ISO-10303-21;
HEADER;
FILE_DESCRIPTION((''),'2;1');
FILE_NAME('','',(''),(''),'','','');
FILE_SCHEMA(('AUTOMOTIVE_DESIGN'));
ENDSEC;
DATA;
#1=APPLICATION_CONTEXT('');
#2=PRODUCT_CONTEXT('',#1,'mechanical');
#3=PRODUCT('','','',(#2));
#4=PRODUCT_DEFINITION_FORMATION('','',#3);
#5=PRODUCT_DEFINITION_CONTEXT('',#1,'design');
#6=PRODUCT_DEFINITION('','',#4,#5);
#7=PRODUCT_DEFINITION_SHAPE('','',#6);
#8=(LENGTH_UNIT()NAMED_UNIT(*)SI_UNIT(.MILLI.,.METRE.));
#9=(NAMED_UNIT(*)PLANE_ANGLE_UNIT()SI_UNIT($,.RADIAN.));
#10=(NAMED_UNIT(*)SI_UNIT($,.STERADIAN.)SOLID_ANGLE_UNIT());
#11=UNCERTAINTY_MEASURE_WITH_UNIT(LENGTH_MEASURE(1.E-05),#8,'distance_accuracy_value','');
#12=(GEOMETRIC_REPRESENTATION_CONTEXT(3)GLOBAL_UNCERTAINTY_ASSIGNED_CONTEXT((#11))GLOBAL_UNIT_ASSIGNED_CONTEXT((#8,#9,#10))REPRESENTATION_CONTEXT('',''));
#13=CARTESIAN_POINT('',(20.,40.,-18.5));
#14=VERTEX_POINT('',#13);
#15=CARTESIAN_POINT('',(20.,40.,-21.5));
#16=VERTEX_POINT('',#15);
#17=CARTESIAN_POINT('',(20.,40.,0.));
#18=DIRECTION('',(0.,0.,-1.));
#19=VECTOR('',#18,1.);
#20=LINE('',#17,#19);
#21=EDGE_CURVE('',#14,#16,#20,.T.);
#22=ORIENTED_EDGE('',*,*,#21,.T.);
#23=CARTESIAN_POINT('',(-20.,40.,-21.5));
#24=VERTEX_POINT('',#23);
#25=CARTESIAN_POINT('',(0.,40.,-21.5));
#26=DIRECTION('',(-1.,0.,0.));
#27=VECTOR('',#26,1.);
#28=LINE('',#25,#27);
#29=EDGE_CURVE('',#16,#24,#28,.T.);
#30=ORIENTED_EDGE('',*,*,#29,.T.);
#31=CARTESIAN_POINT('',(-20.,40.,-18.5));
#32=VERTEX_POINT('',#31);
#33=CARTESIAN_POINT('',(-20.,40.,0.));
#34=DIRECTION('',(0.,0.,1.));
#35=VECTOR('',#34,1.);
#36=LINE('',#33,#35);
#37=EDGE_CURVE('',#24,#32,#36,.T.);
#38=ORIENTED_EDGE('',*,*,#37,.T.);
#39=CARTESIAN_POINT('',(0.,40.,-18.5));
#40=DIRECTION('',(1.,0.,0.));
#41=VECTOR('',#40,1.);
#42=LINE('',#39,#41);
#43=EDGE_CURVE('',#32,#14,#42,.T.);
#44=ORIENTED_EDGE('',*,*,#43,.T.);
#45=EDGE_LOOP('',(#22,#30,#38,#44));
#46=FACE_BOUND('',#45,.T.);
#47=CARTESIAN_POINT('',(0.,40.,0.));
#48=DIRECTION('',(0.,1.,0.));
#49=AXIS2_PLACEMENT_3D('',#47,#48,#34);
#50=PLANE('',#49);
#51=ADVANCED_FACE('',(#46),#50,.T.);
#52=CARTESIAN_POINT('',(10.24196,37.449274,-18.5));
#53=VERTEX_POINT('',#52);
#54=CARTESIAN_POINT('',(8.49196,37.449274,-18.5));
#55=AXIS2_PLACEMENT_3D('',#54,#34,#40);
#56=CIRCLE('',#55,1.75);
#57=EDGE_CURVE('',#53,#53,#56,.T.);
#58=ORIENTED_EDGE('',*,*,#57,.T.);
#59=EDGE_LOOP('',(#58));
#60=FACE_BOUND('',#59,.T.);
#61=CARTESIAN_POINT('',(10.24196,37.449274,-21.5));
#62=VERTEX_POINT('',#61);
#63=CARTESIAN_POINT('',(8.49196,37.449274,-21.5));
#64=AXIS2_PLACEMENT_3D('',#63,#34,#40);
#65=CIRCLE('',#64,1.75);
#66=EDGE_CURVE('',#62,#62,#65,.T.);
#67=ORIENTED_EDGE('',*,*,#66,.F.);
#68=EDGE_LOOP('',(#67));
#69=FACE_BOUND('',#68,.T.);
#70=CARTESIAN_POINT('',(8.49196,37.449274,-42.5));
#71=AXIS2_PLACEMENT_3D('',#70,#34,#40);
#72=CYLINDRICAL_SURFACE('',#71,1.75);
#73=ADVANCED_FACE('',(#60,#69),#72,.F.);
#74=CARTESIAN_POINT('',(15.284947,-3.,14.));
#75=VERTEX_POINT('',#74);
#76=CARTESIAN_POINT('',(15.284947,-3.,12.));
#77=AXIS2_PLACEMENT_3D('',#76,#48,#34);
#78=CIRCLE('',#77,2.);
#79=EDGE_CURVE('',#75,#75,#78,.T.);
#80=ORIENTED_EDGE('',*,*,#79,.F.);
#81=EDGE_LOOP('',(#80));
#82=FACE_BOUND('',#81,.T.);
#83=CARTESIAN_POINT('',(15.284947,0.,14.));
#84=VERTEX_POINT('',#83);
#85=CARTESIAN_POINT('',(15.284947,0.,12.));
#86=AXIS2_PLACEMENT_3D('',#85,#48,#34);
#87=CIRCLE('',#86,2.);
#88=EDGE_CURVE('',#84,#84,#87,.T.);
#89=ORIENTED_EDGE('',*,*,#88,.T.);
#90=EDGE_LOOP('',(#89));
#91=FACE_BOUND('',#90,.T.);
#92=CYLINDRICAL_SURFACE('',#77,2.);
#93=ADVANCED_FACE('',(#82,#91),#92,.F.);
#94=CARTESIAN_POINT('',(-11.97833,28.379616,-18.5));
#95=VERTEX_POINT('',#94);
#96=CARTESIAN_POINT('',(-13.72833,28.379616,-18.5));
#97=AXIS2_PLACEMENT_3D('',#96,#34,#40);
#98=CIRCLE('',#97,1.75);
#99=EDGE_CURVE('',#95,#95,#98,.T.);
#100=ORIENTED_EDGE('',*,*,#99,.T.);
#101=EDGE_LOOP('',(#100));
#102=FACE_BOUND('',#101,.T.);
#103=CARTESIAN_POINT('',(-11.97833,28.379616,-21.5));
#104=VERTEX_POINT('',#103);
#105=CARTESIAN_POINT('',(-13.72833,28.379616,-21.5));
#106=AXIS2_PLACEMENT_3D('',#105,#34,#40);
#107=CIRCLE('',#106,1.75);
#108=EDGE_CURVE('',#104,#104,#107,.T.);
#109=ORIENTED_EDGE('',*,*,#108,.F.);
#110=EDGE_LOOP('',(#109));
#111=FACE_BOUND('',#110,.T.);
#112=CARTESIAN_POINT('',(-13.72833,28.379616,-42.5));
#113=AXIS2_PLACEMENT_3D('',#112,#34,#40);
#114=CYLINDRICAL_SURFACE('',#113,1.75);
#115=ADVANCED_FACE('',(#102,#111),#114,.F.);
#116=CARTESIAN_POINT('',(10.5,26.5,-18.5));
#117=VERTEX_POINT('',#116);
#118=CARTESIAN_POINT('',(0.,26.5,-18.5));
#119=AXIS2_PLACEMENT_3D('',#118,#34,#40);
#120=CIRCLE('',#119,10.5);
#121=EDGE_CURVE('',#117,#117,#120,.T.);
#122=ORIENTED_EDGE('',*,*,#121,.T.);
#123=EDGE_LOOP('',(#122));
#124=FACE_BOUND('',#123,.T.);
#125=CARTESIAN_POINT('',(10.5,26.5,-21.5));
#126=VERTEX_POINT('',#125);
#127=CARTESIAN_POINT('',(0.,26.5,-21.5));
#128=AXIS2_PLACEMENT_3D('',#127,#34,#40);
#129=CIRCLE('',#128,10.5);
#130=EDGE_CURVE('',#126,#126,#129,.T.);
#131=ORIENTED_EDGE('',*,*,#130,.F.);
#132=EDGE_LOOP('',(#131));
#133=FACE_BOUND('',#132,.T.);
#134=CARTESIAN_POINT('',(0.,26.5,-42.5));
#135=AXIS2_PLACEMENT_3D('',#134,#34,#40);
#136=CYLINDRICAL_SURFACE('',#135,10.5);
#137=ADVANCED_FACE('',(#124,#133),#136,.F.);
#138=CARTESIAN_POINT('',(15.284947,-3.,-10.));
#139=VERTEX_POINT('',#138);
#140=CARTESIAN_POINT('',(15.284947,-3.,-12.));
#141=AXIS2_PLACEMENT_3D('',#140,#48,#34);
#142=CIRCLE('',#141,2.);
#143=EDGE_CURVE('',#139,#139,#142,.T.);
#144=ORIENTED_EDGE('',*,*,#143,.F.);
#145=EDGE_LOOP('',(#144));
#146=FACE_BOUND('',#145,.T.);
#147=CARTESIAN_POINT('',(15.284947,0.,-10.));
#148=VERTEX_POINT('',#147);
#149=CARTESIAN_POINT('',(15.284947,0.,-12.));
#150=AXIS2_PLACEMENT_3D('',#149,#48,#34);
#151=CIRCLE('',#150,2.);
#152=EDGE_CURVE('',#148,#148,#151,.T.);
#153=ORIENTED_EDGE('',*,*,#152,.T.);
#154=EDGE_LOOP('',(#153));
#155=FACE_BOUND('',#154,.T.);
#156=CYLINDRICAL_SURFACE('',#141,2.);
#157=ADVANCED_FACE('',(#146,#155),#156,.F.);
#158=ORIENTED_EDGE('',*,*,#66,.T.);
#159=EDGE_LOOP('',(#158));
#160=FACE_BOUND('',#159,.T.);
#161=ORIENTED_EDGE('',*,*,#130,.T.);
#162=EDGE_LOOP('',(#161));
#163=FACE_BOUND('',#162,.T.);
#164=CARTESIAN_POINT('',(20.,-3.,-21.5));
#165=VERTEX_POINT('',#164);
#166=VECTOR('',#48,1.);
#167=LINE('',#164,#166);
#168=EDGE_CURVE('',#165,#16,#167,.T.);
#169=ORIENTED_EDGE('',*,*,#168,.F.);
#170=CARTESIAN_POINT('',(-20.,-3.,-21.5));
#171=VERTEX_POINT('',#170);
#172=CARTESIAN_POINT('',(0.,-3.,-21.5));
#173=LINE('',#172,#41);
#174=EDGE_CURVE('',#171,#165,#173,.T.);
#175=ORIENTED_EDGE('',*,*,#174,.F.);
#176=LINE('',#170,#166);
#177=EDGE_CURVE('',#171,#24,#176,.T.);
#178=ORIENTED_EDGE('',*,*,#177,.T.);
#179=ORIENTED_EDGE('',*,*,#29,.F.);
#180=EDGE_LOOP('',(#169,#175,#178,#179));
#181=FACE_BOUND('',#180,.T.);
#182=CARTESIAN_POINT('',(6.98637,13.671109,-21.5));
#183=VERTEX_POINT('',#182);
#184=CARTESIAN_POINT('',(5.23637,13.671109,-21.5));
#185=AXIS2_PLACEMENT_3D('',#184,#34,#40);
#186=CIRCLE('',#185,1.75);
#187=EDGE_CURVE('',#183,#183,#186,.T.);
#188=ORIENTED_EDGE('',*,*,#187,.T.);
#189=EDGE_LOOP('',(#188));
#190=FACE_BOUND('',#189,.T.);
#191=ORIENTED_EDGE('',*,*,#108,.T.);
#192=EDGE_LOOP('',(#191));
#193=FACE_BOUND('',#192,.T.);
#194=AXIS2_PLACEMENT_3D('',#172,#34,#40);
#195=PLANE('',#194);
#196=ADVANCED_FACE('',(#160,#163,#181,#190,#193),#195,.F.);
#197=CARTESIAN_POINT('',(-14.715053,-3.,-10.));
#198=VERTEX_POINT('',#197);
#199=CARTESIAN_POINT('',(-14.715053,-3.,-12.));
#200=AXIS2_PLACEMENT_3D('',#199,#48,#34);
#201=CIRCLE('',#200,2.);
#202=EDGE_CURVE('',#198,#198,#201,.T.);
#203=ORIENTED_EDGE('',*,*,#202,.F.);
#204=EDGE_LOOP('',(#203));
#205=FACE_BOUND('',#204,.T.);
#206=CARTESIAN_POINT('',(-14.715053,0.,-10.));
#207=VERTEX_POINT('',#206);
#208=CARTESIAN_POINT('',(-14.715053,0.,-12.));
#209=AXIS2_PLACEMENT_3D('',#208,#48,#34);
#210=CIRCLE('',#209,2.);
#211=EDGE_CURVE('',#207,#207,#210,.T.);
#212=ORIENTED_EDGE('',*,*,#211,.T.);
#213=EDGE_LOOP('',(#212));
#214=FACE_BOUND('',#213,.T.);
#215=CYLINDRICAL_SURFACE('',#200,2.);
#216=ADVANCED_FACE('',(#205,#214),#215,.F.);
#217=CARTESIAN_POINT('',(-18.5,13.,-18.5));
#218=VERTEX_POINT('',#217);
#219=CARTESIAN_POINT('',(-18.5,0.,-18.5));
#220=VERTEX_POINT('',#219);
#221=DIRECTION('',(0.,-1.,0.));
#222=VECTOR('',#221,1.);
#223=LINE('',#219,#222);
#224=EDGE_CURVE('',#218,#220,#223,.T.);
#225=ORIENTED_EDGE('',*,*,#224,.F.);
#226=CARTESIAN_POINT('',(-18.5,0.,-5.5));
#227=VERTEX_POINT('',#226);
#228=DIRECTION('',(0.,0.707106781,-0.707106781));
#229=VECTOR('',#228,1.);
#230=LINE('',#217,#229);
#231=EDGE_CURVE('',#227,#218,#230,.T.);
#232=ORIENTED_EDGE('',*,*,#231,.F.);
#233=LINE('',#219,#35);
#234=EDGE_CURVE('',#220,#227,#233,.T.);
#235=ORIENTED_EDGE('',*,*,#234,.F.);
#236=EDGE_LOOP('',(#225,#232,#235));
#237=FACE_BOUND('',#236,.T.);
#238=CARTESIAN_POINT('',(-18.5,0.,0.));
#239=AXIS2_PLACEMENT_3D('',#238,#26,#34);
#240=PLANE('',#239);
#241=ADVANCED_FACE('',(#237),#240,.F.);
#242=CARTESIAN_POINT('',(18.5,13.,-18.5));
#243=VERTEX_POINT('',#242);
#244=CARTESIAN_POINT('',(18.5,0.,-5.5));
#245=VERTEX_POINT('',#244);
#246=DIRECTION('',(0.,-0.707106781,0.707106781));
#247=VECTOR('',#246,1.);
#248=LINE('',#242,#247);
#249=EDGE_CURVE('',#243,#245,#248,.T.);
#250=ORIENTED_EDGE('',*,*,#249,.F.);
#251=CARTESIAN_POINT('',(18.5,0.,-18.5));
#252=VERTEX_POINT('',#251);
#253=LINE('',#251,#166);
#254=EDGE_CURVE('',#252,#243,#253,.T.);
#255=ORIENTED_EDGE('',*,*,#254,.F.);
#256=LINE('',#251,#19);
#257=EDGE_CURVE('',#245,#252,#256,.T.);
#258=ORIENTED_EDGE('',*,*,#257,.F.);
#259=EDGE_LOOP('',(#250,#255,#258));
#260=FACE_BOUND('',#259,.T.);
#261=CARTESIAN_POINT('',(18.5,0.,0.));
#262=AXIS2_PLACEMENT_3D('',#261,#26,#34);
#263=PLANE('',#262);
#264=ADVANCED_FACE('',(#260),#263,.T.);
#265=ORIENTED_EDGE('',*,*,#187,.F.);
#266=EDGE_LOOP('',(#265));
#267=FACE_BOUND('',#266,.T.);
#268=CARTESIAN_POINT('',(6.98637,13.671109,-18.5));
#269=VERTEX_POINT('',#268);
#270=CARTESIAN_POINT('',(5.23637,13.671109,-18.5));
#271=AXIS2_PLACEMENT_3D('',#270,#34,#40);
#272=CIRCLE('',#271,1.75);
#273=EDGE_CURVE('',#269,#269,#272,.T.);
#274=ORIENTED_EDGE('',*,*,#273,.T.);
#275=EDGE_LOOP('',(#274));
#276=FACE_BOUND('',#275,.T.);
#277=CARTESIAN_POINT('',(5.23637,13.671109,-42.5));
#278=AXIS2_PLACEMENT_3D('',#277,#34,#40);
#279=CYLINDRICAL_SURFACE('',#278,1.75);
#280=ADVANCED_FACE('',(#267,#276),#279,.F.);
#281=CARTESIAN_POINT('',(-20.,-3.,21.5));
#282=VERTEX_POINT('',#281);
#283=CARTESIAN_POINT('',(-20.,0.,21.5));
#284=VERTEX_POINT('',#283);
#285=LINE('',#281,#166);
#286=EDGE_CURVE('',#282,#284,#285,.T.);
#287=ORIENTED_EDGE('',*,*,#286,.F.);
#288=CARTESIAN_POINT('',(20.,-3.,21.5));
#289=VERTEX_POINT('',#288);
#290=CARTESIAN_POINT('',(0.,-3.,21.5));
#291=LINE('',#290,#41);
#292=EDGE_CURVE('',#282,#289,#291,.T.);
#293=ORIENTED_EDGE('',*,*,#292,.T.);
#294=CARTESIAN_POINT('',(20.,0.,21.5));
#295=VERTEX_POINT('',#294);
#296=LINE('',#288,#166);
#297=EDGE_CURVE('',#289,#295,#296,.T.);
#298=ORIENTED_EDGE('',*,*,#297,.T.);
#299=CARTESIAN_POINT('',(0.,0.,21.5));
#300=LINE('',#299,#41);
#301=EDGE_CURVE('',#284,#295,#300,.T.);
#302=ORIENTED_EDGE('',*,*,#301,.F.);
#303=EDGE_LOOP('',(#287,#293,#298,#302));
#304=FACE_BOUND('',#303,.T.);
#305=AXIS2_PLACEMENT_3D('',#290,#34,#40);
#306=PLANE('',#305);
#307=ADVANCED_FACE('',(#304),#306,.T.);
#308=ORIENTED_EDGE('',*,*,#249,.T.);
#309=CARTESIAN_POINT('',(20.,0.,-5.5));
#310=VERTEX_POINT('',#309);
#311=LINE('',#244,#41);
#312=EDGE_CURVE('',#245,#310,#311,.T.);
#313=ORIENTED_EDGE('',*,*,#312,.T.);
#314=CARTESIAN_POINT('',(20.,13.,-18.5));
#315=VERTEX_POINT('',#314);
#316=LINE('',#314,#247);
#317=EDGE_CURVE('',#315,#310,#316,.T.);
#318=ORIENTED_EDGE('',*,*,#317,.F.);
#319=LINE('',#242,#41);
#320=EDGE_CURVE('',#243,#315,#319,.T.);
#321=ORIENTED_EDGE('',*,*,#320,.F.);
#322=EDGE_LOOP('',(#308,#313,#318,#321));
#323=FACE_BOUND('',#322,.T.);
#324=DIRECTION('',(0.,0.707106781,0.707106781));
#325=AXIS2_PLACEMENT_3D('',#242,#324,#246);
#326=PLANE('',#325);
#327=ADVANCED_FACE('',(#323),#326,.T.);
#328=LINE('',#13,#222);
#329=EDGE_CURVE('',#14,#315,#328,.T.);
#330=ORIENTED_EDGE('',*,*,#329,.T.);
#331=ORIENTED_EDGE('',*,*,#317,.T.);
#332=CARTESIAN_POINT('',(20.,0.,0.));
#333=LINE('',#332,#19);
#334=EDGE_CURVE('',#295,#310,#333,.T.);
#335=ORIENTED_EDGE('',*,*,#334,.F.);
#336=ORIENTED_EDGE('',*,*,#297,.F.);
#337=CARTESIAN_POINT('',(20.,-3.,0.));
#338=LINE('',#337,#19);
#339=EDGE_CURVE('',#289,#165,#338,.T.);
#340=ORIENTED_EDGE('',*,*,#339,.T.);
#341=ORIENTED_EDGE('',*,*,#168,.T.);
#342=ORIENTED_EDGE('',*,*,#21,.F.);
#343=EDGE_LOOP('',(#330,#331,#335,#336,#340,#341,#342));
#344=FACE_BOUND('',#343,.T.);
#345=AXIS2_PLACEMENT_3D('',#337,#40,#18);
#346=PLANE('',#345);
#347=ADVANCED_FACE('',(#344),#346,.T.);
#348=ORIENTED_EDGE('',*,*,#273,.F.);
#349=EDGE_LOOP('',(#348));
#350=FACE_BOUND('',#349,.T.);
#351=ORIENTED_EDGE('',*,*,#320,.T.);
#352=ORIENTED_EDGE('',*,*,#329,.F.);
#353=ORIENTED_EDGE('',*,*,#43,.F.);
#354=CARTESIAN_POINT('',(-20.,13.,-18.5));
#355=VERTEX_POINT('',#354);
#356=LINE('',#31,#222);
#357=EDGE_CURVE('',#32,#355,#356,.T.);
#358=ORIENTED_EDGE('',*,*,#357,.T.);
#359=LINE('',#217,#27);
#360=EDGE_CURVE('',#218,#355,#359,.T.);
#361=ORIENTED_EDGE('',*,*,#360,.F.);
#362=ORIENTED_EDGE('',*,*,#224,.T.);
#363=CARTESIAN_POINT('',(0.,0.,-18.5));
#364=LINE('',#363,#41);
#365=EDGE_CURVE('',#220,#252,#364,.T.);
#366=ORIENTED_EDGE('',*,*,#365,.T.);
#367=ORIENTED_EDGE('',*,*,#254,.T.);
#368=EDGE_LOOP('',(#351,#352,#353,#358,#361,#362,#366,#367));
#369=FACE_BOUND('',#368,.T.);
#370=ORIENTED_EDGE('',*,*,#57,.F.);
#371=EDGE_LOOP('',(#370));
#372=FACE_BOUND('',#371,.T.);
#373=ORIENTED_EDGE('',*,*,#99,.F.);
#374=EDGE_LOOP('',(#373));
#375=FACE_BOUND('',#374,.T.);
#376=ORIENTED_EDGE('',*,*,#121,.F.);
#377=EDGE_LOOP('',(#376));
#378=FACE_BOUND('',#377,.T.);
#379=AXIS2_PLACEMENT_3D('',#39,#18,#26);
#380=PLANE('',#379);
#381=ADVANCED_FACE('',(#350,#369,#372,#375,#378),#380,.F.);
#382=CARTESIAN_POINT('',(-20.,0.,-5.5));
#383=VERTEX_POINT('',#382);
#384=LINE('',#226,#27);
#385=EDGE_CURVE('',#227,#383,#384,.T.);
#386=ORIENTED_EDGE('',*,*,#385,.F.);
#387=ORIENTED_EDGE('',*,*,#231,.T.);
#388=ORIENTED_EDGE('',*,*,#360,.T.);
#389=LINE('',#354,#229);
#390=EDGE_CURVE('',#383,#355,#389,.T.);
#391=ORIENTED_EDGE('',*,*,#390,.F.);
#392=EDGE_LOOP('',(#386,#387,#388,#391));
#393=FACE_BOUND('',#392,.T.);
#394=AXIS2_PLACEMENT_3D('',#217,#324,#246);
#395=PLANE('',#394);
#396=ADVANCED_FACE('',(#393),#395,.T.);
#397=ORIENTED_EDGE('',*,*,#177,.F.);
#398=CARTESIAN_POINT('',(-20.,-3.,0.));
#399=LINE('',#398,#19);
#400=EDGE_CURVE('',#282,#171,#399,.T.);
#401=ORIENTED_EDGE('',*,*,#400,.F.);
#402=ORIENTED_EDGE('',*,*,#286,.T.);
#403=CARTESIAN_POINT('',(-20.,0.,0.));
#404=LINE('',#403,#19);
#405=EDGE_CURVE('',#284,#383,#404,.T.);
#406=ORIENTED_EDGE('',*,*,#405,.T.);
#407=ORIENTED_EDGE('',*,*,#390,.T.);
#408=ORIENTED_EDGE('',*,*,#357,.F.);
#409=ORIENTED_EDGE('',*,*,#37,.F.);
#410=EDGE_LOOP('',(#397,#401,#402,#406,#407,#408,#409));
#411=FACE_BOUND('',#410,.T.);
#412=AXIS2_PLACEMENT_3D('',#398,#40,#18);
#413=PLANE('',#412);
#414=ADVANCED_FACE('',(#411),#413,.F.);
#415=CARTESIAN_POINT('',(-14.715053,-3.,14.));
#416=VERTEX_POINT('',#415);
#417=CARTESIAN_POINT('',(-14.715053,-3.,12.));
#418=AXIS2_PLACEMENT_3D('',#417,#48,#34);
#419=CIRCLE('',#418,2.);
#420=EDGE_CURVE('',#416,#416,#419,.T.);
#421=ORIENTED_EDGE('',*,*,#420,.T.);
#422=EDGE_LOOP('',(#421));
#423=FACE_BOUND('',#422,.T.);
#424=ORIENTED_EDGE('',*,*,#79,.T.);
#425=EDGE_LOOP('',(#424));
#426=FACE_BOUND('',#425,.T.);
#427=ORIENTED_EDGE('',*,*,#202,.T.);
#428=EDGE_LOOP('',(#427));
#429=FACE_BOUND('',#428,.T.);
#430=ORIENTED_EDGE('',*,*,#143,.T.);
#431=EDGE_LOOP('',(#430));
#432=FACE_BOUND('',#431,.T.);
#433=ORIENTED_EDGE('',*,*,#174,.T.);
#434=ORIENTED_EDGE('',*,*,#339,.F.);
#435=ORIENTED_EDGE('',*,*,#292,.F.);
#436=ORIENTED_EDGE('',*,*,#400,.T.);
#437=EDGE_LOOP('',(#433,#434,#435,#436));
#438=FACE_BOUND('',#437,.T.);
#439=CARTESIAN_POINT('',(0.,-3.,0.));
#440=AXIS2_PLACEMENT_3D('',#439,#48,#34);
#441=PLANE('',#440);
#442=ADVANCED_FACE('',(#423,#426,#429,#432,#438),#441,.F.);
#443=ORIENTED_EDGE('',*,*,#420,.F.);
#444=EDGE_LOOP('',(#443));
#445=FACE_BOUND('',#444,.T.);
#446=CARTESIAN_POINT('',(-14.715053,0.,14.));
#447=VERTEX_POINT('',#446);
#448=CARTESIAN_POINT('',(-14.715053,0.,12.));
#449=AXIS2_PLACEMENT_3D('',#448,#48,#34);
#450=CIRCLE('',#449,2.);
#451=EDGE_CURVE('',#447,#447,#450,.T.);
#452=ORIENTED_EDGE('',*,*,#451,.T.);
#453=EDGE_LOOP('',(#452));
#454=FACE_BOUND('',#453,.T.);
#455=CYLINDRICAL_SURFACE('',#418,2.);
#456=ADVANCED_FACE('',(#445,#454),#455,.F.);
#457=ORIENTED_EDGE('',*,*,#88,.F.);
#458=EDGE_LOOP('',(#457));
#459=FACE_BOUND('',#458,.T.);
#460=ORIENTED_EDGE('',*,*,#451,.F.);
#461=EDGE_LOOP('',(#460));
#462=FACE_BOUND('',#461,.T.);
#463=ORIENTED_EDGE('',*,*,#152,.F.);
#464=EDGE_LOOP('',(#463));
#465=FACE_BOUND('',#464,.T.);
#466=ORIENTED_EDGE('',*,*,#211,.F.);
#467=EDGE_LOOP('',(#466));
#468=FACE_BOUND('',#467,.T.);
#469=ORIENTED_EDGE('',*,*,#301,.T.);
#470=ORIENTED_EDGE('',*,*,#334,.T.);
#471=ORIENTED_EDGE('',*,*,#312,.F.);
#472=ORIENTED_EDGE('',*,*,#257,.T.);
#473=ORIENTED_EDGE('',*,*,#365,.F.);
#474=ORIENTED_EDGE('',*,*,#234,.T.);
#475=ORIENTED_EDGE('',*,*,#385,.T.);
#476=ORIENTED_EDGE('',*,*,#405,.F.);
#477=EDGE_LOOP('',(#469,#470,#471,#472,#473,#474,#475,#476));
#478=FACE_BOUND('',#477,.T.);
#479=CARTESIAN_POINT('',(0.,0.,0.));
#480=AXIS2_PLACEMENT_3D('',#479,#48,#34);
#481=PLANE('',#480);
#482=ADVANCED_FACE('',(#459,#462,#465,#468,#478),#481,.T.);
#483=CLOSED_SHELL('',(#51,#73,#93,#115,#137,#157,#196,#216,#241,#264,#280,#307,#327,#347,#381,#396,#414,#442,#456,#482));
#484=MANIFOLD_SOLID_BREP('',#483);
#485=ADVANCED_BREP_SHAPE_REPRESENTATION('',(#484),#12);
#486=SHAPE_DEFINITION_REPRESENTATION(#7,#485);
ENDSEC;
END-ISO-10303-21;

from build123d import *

# Parameters (mm, degrees)
SKETCH1_W           = 40
SKETCH1_H           = 43
SKETCH1_R           = 2
BOSS_EXTRUDE1_DEPTH = 3
SKETCH4_W           = 40
SKETCH4_H           = 3
BOSS_EXTRUDE2_DEPTH = 40
SKETCH5_R           = 1.75
SKETCH5_R_2         = 10.5
CUT_EXTRUDE1_DEPTH  = 24
BOSS_EXTRUDE3_DEPTH = 1.5
BOSS_EXTRUDE4_DEPTH = 1.5


with BuildPart() as part:
    # Sketch1 → Boss-Extrude1 (new body)
    with BuildSketch(Plane(origin=(0, 0, 0), x_dir=(1, 0, 0), z_dir=(0, 1, 0))):
        Rectangle(SKETCH1_W, SKETCH1_H)
        with Locations(Location((-14.715053003, 12, 0), (0, 0, 270))):
            Circle(SKETCH1_R, mode=Mode.SUBTRACT)
        with Locations(Location((15.284946997, 12, 0), (0, 0, 270))):
            Circle(SKETCH1_R, mode=Mode.SUBTRACT)
        with Locations(Location((-14.715053003, -12, 0), (0, 0, 270))):
            Circle(SKETCH1_R, mode=Mode.SUBTRACT)
        with Locations(Location((15.284946997, -12, 0), (0, 0, 270))):
            Circle(SKETCH1_R, mode=Mode.SUBTRACT)
    extrude(amount=-BOSS_EXTRUDE1_DEPTH)

    # Sketch4 → Boss-Extrude2 (add)
    with BuildSketch(Plane(origin=(0, 0, 0), x_dir=(1, 0, 0), z_dir=(0, 1, 0))):
        with Locations((0, 20)):
            Rectangle(SKETCH4_W, SKETCH4_H)
    extrude(amount=BOSS_EXTRUDE2_DEPTH)

    # Sketch5 → Cut-Extrude1 (cut)
    with BuildSketch(Plane.XY.offset(-18.5)):
        with Locations((8.491960292, 37.449274423)):
            Circle(SKETCH5_R)
        with Locations((-13.72832995, 28.379616129)):
            Circle(SKETCH5_R)
        with Locations((5.236369657, 13.671109447)):
            Circle(SKETCH5_R)
        with Locations((0, 26.5)):
            Circle(SKETCH5_R_2)
    extrude(amount=-CUT_EXTRUDE1_DEPTH, mode=Mode.SUBTRACT)

    # Sketch7 → Boss-Extrude3 (add)
    with BuildSketch(Plane(origin=(20, 0, 0), x_dir=(0, 0, -1), z_dir=(1, 0, 0))):
        Polygon((18.5, 0), (18.5, 13), (5.5, 0), align=None)
    extrude(amount=-BOSS_EXTRUDE3_DEPTH)

    # Sketch8 → Boss-Extrude4 (add)
    with BuildSketch(Plane.ZY.offset(20)):
        Polygon((-18.5, 0), (-18.5, 13), (-5.5, 0), align=None)
    extrude(amount=-BOSS_EXTRUDE4_DEPTH)


solid = part.part
